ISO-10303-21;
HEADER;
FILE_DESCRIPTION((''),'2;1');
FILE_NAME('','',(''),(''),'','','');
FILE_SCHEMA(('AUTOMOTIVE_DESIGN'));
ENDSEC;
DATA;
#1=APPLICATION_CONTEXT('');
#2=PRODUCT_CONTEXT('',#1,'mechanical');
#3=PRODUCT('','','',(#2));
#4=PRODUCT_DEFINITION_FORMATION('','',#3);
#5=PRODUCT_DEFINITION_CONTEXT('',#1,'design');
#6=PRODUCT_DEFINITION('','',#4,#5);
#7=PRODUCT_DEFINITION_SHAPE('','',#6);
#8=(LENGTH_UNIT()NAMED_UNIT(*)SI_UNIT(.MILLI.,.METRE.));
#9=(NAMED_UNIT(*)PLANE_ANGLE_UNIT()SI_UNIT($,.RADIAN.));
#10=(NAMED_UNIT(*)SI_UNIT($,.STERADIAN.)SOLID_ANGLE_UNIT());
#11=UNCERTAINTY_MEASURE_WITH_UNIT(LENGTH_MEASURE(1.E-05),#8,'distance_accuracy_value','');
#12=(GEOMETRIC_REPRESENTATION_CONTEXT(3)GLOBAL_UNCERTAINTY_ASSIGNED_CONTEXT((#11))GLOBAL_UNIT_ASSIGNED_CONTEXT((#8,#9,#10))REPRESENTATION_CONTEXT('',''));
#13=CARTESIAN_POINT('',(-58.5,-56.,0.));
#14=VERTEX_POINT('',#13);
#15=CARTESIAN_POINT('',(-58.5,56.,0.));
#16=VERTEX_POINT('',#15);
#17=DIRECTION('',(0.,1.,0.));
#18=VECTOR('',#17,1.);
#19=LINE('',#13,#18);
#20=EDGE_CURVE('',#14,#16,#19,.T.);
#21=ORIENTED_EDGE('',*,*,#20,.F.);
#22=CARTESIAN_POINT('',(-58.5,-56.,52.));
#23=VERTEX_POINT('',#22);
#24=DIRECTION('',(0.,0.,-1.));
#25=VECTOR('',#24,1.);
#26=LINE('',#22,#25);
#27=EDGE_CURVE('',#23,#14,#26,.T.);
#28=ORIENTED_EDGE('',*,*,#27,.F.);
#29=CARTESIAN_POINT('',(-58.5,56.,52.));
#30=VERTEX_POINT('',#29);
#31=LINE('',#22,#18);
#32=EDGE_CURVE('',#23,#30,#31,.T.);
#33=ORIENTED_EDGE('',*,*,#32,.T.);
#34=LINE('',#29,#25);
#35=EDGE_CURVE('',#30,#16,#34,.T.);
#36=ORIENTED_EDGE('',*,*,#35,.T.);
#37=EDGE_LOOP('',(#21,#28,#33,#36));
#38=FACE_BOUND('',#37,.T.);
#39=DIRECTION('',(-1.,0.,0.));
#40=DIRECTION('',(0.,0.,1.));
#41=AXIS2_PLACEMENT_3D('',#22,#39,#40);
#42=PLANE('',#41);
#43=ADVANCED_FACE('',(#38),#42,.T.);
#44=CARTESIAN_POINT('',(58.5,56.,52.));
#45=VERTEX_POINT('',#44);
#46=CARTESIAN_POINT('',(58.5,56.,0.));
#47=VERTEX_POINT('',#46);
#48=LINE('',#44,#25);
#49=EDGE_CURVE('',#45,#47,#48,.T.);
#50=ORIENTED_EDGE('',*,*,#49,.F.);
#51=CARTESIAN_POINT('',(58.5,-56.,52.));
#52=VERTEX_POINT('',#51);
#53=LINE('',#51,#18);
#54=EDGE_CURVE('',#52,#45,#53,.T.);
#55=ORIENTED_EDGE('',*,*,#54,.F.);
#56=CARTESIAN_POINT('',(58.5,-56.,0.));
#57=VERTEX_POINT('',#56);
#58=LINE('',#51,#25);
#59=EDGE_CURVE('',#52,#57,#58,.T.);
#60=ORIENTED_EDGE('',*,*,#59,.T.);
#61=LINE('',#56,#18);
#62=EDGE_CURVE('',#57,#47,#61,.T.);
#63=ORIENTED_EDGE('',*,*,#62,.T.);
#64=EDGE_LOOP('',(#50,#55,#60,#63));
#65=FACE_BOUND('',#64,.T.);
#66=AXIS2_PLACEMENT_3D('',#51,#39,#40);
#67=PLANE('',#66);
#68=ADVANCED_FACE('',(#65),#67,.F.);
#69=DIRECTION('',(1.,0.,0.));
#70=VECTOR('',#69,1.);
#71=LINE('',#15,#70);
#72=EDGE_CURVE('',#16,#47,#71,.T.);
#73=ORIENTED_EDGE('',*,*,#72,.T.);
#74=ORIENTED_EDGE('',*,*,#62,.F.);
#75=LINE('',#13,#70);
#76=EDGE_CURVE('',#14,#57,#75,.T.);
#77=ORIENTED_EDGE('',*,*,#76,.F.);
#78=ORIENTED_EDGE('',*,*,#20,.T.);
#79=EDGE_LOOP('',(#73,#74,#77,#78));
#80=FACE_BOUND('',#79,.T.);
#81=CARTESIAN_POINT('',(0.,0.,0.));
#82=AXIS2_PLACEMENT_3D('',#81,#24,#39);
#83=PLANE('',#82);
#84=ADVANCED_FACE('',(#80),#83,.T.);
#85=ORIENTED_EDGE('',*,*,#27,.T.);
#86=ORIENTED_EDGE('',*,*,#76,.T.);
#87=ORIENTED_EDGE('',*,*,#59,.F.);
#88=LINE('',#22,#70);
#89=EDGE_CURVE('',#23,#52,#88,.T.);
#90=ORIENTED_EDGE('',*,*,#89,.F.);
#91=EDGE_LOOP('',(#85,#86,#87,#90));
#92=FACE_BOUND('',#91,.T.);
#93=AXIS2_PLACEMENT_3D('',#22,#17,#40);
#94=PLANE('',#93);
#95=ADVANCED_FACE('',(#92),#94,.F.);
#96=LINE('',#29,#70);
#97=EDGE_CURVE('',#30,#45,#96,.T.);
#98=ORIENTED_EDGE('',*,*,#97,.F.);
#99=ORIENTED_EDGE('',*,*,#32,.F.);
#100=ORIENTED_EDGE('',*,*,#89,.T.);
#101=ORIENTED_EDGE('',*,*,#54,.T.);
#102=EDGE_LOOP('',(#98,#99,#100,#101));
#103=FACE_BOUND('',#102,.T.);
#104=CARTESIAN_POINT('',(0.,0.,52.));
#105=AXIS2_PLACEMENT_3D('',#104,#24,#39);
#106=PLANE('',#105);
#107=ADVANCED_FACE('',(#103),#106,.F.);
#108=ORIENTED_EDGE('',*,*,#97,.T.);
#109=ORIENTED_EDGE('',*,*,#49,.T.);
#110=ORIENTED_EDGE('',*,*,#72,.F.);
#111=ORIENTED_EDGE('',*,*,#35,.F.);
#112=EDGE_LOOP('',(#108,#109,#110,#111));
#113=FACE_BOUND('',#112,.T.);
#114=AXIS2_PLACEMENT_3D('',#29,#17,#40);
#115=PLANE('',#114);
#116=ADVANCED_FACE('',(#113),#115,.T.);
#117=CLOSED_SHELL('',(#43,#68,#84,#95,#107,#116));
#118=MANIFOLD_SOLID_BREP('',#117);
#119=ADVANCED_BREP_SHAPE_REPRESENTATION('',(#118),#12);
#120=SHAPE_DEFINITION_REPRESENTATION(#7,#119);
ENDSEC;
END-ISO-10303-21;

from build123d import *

# Parameters (mm, degrees)
SKETCH_1_W      = 117
SKETCH_1_H      = 112
EXTRUDE_1_DEPTH = 52


with BuildPart() as part:
    # 草图1 → 凸台-拉伸1 (new body)
    with BuildSketch(Plane.XY):
        Rectangle(SKETCH_1_W, SKETCH_1_H)
    extrude(amount=EXTRUDE_1_DEPTH)


solid = part.part
